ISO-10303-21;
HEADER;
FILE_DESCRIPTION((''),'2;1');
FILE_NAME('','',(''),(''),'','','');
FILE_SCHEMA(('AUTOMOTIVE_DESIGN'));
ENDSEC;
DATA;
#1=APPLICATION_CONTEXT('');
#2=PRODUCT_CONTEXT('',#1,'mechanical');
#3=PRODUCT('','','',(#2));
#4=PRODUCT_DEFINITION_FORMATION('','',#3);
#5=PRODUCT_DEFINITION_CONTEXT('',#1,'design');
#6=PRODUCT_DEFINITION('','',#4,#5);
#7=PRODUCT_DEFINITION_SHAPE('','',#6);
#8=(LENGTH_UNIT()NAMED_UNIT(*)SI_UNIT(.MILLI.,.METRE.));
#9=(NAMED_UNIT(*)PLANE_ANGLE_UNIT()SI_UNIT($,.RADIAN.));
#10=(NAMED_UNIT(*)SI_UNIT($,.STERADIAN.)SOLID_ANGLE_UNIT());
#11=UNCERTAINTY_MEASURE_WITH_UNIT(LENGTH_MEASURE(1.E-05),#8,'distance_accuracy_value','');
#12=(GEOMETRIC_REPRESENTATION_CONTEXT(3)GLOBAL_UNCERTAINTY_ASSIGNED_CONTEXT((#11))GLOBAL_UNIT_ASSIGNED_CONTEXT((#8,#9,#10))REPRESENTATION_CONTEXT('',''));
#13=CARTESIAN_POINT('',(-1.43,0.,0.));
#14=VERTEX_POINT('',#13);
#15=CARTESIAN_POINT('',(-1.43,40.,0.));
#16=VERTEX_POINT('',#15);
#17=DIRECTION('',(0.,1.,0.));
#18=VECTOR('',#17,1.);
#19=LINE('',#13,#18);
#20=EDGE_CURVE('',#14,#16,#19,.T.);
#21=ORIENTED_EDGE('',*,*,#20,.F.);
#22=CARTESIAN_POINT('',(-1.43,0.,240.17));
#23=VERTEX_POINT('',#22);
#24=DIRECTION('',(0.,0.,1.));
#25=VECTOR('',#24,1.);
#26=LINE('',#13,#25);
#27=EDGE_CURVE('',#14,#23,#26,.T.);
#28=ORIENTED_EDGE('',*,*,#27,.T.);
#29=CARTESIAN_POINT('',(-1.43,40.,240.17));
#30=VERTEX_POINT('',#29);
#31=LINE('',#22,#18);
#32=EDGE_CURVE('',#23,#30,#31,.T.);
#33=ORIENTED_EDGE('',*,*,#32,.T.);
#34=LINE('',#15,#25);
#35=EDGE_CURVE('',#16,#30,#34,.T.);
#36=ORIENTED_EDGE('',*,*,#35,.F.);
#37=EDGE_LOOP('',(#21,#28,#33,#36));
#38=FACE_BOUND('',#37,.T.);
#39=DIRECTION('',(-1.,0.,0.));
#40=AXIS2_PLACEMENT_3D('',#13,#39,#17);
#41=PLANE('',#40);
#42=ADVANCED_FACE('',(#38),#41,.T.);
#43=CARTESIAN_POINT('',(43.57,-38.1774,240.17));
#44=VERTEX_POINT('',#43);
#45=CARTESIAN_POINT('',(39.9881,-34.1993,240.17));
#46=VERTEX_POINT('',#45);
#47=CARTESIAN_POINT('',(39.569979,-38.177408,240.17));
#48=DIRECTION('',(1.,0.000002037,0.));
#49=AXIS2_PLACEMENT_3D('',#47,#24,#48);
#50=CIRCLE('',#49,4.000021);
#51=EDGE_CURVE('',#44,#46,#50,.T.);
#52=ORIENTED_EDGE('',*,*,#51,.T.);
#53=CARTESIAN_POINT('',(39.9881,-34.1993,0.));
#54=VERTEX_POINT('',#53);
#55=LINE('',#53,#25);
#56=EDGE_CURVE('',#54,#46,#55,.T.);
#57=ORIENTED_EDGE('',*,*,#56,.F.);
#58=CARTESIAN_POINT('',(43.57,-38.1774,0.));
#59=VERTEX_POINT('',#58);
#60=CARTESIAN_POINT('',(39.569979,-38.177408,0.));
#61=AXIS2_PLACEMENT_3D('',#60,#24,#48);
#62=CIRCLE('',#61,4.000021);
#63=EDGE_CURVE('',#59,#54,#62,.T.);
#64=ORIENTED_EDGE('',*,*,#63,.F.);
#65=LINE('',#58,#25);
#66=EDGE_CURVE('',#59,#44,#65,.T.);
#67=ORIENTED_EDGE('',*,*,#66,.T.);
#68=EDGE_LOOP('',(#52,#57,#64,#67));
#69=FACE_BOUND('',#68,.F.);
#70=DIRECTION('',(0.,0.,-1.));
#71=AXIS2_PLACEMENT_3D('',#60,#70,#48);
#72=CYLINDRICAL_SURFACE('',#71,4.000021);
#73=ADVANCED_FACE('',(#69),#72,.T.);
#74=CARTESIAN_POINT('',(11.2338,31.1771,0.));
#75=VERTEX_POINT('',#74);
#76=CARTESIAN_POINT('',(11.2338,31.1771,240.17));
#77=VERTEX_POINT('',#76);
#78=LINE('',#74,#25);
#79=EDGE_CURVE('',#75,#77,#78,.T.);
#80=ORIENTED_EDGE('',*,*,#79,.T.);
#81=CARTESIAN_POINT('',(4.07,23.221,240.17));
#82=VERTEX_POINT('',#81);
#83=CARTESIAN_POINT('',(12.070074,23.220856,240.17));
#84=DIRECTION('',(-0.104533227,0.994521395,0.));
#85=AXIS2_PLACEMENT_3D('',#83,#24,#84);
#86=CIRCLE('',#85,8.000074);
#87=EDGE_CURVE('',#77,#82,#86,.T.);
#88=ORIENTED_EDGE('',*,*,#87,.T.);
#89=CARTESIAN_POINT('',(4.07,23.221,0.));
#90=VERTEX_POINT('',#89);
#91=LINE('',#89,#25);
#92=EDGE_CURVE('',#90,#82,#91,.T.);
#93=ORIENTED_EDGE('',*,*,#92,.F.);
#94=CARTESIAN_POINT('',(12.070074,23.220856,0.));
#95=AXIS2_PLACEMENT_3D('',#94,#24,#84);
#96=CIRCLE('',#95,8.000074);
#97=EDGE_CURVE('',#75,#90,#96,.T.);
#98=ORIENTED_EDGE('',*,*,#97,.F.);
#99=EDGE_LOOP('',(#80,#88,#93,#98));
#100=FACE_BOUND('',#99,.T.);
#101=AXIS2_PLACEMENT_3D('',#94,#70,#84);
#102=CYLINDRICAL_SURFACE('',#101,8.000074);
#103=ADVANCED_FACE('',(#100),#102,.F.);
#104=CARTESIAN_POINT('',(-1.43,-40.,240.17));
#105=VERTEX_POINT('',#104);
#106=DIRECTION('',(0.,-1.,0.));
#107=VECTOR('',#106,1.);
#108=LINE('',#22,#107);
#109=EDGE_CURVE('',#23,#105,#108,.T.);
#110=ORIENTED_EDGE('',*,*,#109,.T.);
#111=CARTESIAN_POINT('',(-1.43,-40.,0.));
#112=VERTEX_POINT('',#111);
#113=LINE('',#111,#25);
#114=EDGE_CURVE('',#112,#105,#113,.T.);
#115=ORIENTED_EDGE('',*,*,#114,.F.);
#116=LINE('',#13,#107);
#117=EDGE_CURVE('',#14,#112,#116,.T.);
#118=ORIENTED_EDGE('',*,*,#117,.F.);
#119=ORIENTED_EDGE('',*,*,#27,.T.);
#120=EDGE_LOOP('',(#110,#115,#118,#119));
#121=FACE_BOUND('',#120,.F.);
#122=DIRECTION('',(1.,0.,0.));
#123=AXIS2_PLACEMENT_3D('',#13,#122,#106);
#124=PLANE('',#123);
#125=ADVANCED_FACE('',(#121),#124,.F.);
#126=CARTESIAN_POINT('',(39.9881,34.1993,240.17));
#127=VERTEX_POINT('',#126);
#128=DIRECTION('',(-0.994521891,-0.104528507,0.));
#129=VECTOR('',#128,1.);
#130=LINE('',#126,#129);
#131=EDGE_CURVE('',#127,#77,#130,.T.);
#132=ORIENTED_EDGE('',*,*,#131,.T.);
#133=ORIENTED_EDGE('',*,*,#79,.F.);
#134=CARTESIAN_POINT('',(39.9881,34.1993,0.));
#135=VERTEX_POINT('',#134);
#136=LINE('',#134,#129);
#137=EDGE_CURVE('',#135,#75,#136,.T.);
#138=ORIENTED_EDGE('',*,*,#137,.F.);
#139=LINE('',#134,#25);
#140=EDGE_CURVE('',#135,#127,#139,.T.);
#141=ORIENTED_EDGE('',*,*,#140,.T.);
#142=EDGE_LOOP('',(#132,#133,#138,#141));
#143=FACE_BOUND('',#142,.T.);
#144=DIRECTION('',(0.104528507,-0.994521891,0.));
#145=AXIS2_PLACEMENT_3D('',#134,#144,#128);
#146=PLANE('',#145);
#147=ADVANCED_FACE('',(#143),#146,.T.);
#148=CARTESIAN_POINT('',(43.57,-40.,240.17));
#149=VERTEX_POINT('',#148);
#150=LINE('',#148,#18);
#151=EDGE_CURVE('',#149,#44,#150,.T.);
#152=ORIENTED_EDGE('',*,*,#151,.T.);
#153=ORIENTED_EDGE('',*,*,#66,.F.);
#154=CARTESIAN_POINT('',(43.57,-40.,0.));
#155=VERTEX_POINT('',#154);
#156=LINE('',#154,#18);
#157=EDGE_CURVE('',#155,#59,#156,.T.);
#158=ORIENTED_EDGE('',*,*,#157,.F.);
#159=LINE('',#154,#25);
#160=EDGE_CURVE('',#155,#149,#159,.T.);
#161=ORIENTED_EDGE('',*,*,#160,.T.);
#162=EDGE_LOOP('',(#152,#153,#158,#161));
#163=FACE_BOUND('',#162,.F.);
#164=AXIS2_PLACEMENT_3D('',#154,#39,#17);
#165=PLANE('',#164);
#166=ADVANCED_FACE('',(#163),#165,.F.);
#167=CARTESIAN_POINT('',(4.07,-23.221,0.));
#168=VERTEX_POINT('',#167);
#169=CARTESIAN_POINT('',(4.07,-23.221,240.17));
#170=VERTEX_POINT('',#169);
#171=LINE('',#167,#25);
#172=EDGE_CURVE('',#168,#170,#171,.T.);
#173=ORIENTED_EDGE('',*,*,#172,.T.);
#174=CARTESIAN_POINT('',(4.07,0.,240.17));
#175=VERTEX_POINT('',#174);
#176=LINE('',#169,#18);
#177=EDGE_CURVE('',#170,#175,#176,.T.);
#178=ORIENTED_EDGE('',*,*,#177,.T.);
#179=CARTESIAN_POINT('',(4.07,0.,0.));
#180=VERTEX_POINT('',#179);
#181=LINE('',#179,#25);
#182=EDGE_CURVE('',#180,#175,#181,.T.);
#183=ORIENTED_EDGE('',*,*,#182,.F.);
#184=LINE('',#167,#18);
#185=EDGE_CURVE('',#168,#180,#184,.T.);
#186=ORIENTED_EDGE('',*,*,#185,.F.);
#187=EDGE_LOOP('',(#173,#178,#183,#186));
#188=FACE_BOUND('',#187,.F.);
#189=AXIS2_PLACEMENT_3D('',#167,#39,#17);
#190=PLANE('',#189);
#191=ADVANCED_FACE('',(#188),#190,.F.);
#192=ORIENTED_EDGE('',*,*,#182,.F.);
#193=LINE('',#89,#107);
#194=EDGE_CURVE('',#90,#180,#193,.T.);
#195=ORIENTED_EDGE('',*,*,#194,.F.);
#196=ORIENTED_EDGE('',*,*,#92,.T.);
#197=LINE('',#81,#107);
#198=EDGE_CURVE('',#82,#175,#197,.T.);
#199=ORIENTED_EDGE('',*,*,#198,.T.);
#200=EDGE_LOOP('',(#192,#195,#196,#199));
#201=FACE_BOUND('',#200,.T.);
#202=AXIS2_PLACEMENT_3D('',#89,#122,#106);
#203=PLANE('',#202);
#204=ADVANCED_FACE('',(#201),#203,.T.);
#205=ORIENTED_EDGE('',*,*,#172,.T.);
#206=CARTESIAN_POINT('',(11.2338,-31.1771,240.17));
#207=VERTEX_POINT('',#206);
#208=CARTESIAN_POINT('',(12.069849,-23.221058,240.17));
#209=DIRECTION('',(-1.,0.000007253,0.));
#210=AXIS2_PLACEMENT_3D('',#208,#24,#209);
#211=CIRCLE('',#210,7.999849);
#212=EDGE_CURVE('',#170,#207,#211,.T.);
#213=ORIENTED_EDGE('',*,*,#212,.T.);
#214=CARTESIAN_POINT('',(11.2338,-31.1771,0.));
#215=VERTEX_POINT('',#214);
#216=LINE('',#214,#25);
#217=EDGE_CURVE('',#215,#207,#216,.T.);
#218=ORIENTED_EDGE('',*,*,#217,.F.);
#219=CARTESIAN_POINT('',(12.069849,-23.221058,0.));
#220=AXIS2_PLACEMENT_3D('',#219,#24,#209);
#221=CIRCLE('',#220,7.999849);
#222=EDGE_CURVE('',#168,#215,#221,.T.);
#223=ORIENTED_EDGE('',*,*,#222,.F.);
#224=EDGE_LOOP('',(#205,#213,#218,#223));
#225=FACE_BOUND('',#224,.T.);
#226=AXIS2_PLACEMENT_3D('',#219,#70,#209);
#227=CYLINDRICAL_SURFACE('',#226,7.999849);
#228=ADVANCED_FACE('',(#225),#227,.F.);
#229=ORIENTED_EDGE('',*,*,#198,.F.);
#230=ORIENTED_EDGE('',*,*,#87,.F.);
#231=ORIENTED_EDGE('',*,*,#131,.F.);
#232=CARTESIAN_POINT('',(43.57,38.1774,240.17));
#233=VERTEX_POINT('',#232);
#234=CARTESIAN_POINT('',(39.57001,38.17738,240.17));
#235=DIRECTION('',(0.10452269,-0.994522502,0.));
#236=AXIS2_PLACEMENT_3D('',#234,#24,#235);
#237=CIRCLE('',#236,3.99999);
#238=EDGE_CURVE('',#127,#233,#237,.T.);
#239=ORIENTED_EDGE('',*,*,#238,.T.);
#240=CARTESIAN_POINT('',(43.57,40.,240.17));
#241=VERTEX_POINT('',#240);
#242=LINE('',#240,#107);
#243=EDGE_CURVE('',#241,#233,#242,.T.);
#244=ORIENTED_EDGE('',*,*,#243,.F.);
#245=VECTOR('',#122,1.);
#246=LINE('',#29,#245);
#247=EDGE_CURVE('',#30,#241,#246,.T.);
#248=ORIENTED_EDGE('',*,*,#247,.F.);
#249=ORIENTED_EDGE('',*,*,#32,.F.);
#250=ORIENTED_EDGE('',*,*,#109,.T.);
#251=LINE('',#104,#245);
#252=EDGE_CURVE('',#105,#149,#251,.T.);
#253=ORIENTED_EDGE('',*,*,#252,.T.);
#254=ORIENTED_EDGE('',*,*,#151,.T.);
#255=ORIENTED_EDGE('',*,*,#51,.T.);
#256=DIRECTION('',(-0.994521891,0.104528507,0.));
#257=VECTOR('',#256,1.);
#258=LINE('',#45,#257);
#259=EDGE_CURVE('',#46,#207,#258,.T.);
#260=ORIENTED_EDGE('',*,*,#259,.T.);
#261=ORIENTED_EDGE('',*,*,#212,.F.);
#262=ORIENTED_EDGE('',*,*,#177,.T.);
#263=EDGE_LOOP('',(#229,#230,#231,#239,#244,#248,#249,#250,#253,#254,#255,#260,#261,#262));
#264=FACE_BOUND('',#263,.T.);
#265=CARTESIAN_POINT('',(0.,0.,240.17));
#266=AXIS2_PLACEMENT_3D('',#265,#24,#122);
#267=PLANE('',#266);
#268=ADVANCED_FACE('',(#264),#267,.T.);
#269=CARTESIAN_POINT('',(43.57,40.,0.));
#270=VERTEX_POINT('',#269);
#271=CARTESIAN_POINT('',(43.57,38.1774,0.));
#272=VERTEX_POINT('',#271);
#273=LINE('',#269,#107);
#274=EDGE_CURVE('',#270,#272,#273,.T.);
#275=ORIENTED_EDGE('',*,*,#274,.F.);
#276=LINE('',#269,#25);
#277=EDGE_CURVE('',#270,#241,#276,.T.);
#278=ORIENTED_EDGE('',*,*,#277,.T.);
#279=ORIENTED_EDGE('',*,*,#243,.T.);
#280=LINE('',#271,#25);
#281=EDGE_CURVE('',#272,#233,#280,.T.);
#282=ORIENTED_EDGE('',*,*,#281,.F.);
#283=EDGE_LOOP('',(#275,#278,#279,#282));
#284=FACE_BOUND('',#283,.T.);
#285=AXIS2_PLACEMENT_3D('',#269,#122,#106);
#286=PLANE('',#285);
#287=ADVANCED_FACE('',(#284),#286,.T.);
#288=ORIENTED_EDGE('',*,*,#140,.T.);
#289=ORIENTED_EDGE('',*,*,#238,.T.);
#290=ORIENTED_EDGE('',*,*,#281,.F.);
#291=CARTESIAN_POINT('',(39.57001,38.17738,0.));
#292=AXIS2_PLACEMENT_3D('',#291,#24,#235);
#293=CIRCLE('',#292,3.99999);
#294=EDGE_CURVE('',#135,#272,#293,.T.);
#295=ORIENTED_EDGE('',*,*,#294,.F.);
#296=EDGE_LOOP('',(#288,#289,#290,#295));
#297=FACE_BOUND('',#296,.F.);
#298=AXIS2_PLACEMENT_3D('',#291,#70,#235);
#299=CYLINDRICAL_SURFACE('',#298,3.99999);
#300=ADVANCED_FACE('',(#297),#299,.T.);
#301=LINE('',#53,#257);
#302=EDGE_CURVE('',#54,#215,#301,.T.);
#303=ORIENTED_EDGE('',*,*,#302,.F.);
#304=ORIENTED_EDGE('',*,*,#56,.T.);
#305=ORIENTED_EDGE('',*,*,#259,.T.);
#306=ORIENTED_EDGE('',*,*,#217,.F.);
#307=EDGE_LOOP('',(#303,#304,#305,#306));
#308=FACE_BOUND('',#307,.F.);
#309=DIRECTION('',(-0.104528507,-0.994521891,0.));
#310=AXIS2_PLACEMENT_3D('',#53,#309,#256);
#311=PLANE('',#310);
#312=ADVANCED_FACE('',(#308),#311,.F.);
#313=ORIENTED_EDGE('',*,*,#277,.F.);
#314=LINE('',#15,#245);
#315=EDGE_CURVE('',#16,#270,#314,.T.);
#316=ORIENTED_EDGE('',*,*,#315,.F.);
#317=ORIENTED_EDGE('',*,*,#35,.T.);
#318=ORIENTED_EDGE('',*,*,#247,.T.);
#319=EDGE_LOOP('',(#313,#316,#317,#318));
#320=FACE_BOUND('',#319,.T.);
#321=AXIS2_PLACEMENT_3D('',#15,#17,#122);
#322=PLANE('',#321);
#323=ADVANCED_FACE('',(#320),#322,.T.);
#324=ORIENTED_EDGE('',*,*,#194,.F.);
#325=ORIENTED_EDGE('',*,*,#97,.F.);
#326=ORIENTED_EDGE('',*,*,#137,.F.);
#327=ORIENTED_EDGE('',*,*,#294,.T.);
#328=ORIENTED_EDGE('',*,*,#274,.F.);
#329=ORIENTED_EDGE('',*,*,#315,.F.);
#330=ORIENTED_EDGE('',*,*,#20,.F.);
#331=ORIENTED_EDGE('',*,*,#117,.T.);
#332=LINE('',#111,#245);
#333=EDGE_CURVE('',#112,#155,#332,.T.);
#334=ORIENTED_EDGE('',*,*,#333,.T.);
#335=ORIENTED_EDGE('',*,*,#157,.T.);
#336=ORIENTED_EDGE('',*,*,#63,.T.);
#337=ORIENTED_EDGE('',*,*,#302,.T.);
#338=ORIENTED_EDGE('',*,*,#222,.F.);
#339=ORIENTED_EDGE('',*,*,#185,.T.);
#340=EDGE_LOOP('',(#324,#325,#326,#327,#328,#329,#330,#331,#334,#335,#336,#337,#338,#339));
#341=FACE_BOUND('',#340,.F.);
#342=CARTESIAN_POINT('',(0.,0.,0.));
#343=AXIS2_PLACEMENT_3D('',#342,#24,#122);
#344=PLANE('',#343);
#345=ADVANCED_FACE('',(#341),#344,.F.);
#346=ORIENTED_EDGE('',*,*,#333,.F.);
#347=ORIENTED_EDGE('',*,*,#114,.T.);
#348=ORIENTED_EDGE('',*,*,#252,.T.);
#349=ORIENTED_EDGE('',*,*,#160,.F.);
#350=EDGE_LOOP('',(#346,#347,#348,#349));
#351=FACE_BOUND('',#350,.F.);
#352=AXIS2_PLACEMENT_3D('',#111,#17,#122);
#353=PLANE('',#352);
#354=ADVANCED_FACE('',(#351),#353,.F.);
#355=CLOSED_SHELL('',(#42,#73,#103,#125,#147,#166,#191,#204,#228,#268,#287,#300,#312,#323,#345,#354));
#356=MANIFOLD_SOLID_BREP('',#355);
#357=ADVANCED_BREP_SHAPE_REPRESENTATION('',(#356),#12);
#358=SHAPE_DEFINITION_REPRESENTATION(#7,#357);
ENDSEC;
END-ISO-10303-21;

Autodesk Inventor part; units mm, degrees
ref_plane "YZ Plane" through (0, 0, 0) normal (1, 0, 0) x (0, 1, 0)
ref_plane "Начальная плоскость" through (0, 0, 0) normal (0, 0, 1) x (1, 0, 0)
ref_plane "Конечная плоскость" through (0, 0, 240.17) normal (0, 0, 1) x (1, 0, 0)
sketch "Эскиз" plane through (0, 0, 0) normal (0, 0, 1) x (1, 0, 0)
  line L0 (-1.43, 0) -> (-1.43, 40)
  line L1 (-1.43, 40) -> (43.57, 40)
  line L2 (43.57, 40) -> (43.57, 38.1774)
  line L3 (39.9881, 34.1993) -> (11.2338, 31.1771)
  line L4 (4.07, 23.221) -> (4.07, 0)
  line L5 (4.07, 0) -> (-1.43, 0) construction
  line L6 (23.82, 40) -> (23.82, 32.5) construction
  line L7 (43.57, 34.5758) -> (43.57, 32.5) construction
  line L8 (43.57, 32.5) -> (23.82, 32.5) construction
  line L9 (0, 15) -> (0, -27) construction
  line L10 (-5.539, 0) -> (16.0067, 0) construction
  line L11 (-1.43, 0) -> (-1.43, -40)
  line L12 (-1.43, -40) -> (43.57, -40)
  line L13 (43.57, -40) -> (43.57, -38.1774)
  line L14 (39.9881, -34.1993) -> (11.2338, -31.1771)
  line L15 (4.07, -23.221) -> (4.07, 0)
  arc A0 (11.2338, 31.1771) -> (4.07, 23.221) centre (12.07, 23.221) ccw
  arc A1 (4.07, -23.221) -> (11.2338, -31.1771) centre (12.07, -23.221) ccw
  arc A2 (39.9881, 34.1993) -> (43.57, 38.1774) centre (39.57, 38.1774) ccw
  arc A3 (43.57, -38.1774) -> (39.9881, -34.1993) centre (39.57, -38.1774) ccw
  line L16 (0, 56) -> (0, -56) construction
  line L17 (-15.5135, 0) -> (54.308, 0) construction
  point P0 (4.07, 30.4242)
  point P1 (43.57, -34.5758)
  point P2 (4.07, -30.4242)
  point P3 (23.82, -40)
  point P4 (23.82, -32.5)
  dimension "d0" = 5.5
  dimension "d1" = 40
  dimension "d2" = 45
  dimension "d3" = 7.5
  dimension "d4" = 19.75
  dimension "d5" = 2.0758
  dimension "d23" = 8
  dimension "d24" = 4
  dimension "d25" = 1.43
extrude "Тело" add sketch "Эскиз" along normal up to surface (240.17 mm away) from surface at 0
sketch "Sketch3" plane through (0, 0, 0) normal (0, 0, 1) x (1, 0, 0)
  line L0 (0, 0) -> (10, 0)
ref_plane "Work Plane3" through (0, 0, 0) normal (0, -1, 0) x (1, 0, 0)
sketch "Sketch4" plane through (0, 0, 0) normal (0, -1, 0) x (1, 0, 0)
  line L0 (-2, 0) -> (12, 0)
  line L1 (-2, 240.17) -> (12, 240.17)
  dimension "d29" = 240.17
equation "\"d0\" = G_T"
equation "\"d1\" = 0.5 * G_H"
equation "\"d2\" = G_W"
equation "\"d3\" = G_T1"
equation "\"d4\" = G_C"
equation "\"d23\" = G_IR"
equation "\"d24\" = G_ER"
equation "\"d25\" = ex"
equation "\"d6\" = G_L"
equation "\"G_W\" = 45"
equation "\"G_T\" = 5.5"
equation "\"G_T1\" = 7.5"
equation "\"G_NG\" = 0.105104"
equation "\"G_ER\" = 4"
equation "\"G_IR\" = 8"
equation "\"G_C\" = 19.75"
equation "\"G_L\" = d29"
equation "\"ex\" = 1.43"
equation "\"G_OFFSET_START\" = 0"
equation "\"G_OFFSET_END\" = 0"
equation "\"d27\" = G_OFFSET_END + B_L"
equation "\"B_L\" = 240.17"
equation "\"G_H\" = 80"
properties part number "ISO 657/11 - CH 80 x 8 - 240,17" material "Сталь, мягкая"
